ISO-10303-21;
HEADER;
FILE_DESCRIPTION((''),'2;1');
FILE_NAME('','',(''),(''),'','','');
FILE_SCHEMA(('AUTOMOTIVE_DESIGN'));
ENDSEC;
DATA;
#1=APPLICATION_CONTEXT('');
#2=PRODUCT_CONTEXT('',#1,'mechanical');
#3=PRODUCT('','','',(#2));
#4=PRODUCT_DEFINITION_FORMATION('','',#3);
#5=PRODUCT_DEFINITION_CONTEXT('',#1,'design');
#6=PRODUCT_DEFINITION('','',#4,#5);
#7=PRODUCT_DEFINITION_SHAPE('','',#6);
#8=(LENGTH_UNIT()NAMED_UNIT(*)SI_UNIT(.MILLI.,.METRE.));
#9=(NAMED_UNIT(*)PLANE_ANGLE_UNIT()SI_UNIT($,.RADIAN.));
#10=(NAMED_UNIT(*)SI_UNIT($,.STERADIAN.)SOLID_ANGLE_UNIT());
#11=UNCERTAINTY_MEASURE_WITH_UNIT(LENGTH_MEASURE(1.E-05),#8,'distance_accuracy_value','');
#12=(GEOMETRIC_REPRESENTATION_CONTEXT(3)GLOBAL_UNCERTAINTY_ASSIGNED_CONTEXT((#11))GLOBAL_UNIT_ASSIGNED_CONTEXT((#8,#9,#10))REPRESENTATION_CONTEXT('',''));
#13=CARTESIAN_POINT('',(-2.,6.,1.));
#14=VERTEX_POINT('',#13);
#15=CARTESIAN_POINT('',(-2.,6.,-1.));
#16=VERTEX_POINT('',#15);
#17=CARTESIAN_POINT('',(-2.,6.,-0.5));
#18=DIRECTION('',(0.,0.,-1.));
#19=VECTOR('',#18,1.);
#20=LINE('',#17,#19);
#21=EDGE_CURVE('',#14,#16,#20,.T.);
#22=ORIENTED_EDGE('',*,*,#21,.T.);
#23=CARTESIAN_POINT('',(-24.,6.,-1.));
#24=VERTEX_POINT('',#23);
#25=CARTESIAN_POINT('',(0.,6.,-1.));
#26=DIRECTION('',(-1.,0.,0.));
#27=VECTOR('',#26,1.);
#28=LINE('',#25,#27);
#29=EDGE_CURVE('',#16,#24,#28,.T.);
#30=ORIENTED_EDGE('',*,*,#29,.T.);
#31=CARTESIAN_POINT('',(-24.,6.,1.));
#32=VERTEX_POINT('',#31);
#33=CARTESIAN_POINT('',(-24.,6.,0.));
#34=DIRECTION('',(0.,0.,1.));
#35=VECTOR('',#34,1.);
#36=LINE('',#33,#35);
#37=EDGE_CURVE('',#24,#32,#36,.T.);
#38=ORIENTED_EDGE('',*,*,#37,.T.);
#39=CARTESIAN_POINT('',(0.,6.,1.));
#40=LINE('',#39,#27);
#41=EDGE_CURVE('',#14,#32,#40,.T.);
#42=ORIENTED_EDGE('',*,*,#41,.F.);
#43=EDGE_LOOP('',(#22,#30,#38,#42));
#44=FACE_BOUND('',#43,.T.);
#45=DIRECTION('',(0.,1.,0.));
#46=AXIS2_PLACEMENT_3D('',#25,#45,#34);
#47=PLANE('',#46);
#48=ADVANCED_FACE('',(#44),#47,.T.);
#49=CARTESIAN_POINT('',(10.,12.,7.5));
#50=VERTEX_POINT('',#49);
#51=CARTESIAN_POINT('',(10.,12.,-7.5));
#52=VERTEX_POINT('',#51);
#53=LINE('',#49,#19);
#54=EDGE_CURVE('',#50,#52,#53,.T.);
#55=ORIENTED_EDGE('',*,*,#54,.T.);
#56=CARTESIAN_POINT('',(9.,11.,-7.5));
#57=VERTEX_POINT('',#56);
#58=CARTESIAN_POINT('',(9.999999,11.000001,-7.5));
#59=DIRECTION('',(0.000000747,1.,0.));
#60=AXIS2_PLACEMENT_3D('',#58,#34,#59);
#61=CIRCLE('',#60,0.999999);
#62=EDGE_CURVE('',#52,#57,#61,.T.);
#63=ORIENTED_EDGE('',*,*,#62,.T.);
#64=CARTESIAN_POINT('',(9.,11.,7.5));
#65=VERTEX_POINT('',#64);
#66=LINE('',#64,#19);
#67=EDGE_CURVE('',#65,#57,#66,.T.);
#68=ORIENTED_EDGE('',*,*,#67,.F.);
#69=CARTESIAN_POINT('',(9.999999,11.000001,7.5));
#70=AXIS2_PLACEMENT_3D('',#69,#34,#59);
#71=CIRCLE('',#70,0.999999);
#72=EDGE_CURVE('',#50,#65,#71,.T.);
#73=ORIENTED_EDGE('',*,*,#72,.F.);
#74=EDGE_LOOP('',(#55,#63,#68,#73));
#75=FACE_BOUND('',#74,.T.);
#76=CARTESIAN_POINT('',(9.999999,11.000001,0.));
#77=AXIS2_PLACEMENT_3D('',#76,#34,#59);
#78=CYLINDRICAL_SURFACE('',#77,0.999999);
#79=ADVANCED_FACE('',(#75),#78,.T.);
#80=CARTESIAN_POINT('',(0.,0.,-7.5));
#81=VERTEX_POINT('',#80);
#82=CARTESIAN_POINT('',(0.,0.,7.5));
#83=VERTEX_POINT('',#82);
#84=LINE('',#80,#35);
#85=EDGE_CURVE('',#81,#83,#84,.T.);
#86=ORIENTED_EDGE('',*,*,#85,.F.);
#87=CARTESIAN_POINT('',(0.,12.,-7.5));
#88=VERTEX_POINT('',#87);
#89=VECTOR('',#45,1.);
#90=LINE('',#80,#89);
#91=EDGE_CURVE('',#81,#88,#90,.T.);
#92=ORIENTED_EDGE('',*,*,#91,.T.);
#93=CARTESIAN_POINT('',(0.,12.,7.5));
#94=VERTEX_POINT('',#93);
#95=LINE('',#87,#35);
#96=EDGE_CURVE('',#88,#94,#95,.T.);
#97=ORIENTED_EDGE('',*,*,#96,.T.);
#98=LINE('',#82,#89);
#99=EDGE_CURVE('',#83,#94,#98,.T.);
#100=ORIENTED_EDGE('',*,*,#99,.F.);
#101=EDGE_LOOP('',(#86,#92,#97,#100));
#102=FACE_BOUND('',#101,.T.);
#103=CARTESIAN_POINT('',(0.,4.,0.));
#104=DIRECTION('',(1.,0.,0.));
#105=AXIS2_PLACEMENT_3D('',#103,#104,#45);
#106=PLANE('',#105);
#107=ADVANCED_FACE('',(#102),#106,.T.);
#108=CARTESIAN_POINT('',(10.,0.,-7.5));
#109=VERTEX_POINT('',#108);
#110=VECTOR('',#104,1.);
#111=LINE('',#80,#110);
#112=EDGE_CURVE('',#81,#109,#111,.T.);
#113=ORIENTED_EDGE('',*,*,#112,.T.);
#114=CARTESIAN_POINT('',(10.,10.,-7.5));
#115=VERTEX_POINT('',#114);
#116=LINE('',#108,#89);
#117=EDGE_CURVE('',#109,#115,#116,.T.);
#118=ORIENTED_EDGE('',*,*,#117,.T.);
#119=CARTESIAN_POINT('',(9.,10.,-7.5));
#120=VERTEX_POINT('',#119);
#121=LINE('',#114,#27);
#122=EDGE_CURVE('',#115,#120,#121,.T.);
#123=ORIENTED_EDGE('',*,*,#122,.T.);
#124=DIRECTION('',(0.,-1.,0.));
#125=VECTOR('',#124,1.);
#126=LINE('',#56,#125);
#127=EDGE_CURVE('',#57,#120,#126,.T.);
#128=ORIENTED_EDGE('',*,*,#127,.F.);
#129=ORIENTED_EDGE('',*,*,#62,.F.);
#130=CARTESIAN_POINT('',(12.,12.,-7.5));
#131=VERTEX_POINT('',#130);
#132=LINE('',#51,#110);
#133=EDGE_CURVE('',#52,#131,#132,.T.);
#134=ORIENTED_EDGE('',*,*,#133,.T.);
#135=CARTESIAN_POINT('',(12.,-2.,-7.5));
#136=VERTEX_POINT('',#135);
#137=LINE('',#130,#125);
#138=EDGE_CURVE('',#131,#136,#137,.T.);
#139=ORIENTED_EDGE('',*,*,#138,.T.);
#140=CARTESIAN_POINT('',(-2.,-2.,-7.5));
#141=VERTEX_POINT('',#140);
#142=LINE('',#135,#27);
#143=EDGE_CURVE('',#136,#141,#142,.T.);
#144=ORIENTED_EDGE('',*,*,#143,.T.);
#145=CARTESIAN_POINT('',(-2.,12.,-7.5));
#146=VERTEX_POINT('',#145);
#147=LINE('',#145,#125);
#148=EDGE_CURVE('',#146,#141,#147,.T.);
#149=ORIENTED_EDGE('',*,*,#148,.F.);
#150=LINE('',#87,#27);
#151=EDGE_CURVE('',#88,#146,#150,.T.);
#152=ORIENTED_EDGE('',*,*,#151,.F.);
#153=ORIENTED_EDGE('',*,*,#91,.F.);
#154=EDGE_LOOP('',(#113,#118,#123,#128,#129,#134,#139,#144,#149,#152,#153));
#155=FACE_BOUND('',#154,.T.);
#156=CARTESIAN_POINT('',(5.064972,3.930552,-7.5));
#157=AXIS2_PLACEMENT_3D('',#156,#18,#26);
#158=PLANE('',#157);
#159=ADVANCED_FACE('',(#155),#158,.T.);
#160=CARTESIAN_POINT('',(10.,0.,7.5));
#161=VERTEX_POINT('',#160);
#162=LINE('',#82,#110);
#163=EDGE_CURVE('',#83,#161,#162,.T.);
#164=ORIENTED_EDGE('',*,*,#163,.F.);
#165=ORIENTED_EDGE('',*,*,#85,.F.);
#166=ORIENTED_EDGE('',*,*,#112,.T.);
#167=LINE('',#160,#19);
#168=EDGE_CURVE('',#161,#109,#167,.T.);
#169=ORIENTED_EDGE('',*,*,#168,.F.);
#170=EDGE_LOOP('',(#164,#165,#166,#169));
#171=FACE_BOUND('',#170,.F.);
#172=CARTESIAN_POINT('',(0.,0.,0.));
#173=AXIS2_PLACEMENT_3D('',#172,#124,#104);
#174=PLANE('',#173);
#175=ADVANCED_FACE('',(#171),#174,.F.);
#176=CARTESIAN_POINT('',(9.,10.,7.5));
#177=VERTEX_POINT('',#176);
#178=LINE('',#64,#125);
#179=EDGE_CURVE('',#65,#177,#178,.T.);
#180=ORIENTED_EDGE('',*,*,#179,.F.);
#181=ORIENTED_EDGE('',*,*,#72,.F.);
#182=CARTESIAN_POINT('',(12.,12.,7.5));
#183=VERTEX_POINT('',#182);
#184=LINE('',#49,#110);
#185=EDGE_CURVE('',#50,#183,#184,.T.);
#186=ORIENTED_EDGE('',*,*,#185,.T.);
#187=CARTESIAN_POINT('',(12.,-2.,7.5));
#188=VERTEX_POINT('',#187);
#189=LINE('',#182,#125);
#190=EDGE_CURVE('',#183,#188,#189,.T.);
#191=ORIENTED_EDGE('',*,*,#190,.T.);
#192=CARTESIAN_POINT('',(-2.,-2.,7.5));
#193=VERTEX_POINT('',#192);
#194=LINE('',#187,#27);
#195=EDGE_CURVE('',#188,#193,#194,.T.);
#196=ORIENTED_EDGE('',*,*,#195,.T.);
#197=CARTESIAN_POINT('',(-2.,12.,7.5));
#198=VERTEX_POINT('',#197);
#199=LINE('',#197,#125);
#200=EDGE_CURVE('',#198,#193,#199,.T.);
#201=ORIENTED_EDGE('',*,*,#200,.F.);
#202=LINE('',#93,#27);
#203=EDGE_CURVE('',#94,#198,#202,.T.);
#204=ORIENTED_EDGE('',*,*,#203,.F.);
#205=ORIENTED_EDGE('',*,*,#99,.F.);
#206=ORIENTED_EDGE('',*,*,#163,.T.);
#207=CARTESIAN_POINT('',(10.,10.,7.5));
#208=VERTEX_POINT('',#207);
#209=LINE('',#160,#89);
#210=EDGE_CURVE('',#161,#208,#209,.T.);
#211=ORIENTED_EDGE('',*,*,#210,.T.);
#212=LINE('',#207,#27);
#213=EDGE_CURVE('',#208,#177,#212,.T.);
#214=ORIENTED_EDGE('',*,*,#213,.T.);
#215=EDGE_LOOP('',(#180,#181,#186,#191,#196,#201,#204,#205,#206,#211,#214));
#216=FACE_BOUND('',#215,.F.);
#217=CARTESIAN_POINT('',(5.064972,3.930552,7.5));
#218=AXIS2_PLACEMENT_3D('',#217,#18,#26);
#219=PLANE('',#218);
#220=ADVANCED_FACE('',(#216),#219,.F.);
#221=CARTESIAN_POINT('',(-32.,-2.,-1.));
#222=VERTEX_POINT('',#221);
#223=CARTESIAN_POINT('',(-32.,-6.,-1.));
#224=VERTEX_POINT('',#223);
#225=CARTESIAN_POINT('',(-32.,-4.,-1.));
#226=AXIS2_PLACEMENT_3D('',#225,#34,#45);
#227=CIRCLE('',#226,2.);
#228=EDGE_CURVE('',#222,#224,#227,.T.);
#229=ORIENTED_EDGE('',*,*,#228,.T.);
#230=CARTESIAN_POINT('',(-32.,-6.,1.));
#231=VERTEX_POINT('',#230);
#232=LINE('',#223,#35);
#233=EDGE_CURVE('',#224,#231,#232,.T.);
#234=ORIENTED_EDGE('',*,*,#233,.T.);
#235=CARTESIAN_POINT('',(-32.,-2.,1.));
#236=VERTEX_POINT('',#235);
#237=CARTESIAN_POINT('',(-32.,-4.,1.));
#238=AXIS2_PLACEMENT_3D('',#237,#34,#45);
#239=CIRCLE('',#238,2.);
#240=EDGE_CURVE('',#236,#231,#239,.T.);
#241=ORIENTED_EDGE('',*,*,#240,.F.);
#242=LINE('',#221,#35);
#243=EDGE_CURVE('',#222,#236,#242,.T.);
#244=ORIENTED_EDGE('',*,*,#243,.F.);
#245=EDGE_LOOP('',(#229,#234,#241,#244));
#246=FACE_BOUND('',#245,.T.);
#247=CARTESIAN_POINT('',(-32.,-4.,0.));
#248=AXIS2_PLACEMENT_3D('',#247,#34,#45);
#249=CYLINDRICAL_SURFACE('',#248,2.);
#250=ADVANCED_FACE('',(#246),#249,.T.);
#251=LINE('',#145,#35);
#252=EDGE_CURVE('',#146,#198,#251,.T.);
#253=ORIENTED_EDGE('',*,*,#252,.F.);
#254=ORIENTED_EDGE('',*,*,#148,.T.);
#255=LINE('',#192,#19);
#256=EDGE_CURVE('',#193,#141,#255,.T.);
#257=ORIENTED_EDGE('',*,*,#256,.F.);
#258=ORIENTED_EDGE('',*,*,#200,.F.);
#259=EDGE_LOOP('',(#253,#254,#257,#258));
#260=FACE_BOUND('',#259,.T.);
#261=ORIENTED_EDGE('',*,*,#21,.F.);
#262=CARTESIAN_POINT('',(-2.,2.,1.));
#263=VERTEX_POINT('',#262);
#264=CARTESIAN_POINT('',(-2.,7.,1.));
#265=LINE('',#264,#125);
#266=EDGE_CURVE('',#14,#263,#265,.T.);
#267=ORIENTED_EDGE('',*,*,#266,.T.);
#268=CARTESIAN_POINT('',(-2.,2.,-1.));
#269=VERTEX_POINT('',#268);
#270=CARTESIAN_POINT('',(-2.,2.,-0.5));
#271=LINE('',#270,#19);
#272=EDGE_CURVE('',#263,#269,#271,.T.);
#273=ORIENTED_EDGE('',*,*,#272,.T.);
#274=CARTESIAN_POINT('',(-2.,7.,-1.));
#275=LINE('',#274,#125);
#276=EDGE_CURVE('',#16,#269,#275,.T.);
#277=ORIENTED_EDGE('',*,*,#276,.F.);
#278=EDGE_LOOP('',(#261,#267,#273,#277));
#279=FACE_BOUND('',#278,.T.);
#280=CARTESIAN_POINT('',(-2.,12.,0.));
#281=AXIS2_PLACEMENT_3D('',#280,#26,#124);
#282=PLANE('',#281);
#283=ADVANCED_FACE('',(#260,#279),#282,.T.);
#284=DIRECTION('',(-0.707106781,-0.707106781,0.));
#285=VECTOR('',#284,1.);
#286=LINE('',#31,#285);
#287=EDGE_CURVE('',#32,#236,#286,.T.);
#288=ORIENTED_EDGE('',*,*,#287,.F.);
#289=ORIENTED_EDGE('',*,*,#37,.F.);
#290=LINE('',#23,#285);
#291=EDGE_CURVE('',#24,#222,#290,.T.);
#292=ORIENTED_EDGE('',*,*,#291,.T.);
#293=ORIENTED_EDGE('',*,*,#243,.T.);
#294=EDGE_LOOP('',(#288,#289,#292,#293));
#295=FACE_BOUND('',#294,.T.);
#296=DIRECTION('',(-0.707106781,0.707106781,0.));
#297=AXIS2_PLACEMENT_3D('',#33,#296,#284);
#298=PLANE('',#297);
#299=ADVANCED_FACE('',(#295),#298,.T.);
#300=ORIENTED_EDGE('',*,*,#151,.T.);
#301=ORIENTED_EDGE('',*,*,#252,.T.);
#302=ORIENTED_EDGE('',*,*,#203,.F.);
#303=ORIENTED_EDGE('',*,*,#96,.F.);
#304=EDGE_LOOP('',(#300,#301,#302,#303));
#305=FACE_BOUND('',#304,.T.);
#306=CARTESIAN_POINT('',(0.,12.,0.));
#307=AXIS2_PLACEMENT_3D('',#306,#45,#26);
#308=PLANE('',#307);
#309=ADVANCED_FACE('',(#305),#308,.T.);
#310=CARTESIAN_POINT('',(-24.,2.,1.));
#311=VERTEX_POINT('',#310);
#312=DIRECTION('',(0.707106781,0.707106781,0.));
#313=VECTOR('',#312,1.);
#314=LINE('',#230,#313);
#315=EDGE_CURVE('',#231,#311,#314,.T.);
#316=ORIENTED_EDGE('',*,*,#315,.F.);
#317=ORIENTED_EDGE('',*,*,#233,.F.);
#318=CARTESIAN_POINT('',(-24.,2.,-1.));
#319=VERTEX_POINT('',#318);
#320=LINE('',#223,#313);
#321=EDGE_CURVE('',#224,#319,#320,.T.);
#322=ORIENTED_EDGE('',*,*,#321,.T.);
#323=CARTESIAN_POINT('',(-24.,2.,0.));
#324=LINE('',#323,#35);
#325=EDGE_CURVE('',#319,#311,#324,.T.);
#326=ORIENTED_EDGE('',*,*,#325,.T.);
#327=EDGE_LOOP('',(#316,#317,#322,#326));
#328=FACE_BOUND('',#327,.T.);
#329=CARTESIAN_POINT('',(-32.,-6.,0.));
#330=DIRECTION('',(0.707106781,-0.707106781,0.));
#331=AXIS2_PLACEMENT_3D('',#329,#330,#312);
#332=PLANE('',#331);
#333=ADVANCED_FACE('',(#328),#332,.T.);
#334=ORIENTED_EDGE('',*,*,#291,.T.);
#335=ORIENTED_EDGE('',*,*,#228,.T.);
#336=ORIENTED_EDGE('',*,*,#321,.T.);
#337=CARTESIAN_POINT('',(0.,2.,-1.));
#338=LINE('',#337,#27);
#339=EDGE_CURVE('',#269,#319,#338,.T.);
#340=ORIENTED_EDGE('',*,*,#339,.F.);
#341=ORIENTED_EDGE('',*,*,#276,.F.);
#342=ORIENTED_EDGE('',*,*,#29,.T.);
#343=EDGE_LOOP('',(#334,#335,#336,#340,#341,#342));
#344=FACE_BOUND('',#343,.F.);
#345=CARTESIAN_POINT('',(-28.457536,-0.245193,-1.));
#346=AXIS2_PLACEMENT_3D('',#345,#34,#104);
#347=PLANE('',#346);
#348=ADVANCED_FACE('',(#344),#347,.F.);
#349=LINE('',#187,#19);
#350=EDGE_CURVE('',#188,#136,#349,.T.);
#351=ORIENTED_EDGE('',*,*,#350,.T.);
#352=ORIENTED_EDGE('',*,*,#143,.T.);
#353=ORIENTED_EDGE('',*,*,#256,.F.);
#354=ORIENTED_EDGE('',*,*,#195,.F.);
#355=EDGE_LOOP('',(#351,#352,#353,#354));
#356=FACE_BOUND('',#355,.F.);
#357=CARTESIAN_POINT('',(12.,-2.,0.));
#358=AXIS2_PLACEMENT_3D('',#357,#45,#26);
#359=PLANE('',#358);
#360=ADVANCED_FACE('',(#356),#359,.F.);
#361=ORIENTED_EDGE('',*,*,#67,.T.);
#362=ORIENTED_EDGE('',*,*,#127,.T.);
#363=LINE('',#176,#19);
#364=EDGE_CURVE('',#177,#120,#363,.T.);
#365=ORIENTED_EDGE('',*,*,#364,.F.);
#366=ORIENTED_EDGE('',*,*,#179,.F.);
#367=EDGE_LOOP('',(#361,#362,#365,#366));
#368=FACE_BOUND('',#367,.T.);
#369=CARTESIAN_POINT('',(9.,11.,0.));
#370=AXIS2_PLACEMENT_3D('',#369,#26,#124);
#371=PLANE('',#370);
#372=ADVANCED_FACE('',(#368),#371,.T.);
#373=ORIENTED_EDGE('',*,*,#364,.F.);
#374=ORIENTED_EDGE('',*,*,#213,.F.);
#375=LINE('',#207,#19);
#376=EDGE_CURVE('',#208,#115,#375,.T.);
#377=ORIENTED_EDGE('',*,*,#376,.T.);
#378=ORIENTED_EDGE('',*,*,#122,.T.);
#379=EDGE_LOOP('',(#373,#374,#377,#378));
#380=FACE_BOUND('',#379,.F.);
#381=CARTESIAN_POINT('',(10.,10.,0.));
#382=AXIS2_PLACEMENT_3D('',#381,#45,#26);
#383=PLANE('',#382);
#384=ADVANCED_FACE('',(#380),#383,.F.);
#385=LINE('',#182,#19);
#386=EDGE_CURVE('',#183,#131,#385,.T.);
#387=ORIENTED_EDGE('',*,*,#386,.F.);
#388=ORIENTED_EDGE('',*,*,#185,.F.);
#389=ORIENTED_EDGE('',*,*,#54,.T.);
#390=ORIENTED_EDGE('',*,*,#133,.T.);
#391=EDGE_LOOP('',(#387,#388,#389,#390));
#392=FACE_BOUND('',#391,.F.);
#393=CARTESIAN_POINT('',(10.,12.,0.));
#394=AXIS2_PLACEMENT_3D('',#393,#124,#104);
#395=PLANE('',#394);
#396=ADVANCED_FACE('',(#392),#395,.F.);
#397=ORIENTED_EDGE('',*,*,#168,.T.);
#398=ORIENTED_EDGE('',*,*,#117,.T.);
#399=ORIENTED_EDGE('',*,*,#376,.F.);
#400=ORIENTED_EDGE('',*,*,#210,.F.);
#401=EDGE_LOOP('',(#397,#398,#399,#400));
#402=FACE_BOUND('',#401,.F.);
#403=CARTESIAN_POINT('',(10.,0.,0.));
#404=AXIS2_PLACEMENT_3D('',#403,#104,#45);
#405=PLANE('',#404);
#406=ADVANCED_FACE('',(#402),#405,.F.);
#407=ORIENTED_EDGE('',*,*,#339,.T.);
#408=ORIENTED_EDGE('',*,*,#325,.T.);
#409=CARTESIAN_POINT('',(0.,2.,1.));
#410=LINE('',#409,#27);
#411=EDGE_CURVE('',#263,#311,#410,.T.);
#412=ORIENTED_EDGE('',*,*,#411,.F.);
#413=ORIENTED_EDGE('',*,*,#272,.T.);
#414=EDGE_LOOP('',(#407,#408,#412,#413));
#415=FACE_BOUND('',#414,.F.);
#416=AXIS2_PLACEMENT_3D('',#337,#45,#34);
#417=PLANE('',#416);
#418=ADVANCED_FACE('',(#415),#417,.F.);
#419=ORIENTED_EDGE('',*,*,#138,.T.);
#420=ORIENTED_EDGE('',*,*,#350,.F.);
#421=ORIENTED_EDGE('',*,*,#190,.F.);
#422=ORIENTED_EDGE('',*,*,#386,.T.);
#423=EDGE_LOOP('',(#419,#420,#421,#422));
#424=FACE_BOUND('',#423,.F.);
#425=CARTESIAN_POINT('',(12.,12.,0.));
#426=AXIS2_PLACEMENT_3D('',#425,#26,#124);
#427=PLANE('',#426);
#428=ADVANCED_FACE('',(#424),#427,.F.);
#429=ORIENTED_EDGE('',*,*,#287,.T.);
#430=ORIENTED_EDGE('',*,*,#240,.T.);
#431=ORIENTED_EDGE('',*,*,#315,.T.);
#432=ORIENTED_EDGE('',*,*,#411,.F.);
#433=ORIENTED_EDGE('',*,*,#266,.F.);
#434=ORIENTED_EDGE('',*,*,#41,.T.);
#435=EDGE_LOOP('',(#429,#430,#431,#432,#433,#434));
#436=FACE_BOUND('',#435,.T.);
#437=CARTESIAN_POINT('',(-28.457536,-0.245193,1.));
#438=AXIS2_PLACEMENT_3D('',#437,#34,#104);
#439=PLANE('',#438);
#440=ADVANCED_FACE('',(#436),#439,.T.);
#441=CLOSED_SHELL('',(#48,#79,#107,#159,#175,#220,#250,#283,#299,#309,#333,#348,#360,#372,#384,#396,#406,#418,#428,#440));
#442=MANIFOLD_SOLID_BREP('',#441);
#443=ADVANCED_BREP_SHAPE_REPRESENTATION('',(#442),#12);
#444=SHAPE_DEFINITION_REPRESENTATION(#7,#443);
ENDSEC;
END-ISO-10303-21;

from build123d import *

# Parameters (mm, degrees)
PAD_DEPTH    = 7.5
SKETCH001_W  = 4
SKETCH001_H  = 2
PAD001_DEPTH = 24
PAD002_DEPTH = 1


with BuildPart() as part:
    # Sketch → Pad (new body, symmetric)
    with BuildSketch(Plane.XY):
        with BuildLine():
            Line((0, 0), (10, 0))
            Line((10, 0), (10, 10))
            Line((10, 10), (9, 10))
            Line((9, 11), (9, 10))
            ThreePointArc((10, 12), (9.292893, 11.707107), (9, 11))
            Line((10, 12), (12, 12))
            Line((12, 12), (12, -2))
            Line((12, -2), (-2, -2))
            Line((-2, 12), (-2, -2))
            Line((0, 12), (-2, 12))
            Line((0, 0), (0, 12))
        make_face()
    extrude(amount=PAD_DEPTH, both=True)

    # Sketch001 → Pad001 (join)
    with BuildSketch(Plane.YZ):
        with Locations((4, 0)):
            Rectangle(SKETCH001_W, SKETCH001_H)
    extrude(amount=-PAD001_DEPTH)

    # Sketch002 → Pad002 (join, symmetric)
    with BuildSketch(Plane.XY):
        with BuildLine():
            Line((-24, 6), (-32, -2))
            ThreePointArc((-32, -2), (-34, -4), (-32, -6))
            Line((-32, -6), (-24, 2))
            Line((-24, 2), (-24, 6))
        make_face()
    extrude(amount=PAD002_DEPTH, both=True)


solid = part.part
